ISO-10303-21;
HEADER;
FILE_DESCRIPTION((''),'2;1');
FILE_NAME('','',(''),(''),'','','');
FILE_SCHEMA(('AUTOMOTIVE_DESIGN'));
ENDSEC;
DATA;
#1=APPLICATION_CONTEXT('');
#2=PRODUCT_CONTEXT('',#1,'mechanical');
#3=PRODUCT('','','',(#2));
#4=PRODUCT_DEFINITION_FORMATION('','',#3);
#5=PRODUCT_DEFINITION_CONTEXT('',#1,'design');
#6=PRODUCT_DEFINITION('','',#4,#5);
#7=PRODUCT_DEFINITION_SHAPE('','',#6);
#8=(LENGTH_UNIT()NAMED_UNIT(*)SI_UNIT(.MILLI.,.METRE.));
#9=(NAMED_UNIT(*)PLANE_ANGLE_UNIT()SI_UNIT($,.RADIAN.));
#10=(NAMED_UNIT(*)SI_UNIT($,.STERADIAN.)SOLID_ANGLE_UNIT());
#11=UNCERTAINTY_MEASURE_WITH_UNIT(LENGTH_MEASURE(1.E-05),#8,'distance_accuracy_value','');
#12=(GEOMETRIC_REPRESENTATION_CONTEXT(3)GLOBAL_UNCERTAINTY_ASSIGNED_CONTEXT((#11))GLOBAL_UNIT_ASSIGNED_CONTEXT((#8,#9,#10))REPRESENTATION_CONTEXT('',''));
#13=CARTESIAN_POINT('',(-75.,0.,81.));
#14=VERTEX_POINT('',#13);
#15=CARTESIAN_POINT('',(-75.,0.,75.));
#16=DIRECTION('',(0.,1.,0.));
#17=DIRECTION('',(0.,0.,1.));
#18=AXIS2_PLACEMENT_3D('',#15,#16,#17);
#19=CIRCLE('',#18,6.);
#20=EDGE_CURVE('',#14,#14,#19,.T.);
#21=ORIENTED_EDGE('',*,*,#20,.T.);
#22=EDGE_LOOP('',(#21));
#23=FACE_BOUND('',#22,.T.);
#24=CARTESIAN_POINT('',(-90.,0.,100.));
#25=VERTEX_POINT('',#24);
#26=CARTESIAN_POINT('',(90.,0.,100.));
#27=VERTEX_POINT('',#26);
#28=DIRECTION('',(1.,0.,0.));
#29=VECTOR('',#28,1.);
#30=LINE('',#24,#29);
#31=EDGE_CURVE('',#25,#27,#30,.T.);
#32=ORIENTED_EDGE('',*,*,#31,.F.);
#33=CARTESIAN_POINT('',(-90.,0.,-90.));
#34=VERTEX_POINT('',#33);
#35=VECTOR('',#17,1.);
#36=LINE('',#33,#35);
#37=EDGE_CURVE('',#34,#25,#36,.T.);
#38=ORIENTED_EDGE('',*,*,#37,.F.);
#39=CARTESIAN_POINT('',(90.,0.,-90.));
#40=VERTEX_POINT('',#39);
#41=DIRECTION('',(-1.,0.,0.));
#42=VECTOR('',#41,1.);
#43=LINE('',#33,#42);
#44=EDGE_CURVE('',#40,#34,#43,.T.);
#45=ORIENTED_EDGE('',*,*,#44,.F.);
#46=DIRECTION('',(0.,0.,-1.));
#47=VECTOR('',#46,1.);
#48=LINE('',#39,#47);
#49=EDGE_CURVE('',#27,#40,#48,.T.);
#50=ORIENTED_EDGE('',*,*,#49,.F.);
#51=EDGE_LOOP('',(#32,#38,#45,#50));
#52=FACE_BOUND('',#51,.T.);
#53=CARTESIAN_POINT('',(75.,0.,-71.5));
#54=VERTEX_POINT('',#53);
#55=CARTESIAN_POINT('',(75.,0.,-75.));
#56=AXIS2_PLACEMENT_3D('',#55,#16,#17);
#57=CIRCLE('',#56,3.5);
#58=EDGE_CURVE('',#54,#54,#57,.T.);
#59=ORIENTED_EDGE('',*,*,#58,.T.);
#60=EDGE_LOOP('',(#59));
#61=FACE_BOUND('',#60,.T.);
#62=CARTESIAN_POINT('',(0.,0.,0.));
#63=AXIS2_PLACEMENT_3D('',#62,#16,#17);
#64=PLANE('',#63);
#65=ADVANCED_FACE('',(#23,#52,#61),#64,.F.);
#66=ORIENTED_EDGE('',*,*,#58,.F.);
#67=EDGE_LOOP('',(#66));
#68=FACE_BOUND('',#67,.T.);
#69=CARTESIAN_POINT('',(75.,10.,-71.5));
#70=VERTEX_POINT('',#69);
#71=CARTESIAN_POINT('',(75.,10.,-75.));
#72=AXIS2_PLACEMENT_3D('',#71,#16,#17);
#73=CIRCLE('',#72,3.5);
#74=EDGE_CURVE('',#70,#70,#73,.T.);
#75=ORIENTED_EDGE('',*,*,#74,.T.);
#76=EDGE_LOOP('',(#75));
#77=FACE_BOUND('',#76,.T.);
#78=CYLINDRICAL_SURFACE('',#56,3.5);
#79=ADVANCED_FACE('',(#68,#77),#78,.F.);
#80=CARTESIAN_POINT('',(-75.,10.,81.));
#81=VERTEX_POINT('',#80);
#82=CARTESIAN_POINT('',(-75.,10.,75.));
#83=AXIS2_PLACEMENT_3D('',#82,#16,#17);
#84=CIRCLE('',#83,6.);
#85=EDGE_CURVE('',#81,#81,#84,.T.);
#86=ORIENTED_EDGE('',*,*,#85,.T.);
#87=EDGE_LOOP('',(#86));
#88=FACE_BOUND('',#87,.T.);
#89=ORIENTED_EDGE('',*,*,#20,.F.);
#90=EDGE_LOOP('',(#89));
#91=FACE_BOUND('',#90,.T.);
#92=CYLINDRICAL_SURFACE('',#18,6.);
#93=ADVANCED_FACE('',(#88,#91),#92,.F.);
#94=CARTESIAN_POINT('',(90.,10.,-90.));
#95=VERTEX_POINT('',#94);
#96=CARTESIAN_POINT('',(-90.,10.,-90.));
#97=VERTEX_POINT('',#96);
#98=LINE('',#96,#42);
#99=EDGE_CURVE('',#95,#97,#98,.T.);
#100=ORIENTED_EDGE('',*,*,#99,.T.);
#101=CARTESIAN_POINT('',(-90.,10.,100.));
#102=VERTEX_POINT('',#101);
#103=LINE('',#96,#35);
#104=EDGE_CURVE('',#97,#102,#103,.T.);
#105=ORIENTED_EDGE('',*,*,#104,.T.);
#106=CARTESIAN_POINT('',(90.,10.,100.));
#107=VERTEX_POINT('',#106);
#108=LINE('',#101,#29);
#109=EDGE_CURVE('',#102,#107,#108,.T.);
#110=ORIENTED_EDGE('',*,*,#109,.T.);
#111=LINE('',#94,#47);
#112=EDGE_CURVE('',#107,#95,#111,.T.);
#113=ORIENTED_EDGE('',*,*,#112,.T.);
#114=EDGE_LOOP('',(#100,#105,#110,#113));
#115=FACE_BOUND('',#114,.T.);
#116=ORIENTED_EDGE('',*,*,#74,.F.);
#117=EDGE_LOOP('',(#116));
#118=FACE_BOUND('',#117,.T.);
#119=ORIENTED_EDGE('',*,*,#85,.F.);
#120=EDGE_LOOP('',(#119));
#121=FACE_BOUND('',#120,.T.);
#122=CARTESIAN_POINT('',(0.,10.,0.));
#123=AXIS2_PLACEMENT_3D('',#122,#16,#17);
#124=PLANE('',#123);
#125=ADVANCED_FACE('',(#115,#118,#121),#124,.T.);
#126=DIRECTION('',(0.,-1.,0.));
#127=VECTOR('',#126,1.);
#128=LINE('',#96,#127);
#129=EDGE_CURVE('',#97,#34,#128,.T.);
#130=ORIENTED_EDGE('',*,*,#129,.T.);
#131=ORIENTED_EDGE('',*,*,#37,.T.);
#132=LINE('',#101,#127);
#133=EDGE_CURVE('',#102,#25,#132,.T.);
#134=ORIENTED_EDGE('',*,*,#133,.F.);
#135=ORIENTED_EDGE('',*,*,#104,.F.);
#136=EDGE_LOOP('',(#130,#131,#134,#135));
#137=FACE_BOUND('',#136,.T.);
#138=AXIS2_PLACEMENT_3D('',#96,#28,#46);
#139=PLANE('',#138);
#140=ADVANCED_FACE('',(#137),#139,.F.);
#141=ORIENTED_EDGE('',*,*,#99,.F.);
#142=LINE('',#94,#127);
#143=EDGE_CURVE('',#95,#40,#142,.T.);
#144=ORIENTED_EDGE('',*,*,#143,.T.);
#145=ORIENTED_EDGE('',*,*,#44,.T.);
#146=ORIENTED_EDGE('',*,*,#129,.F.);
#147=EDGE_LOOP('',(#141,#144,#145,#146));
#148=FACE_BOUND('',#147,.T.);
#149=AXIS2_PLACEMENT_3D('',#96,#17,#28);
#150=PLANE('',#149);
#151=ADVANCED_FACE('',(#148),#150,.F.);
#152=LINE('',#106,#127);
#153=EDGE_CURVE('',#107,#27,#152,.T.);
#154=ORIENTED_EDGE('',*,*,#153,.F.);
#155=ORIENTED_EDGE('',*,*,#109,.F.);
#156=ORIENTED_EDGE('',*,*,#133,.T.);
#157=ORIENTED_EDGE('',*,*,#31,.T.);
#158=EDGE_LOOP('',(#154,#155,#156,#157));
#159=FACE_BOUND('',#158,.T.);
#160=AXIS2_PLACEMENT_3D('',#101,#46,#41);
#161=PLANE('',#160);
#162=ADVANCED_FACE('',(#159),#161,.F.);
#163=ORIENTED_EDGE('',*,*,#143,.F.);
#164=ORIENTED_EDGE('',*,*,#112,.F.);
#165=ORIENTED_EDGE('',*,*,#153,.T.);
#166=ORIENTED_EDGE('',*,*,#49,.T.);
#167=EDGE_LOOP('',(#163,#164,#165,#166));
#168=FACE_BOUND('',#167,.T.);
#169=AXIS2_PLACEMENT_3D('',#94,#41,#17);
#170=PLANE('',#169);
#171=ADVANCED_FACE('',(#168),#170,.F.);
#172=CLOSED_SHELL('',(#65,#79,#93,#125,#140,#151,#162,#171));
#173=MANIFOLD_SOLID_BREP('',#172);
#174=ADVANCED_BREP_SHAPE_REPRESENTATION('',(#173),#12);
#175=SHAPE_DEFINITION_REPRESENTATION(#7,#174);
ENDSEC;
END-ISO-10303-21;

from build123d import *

# Parameters (mm, degrees)
SKETCH1_W           = 180
SKETCH1_H           = 190
BOSS_EXTRUDE1_DEPTH = 10
SKETCH2_R           = 3.5
CUT_EXTRUDE1_DEPTH  = 11
SKETCH6_R           = 6
CUT_EXTRUDE2_DEPTH  = 11


with BuildPart() as part:
    # Sketch1 → Boss-Extrude1 (new body)
    with BuildSketch(Plane(origin=(0, 0, 0), x_dir=(1, 0, 0), z_dir=(0, 1, 0))):
        with Locations((0, -5)):
            Rectangle(SKETCH1_W, SKETCH1_H)
    extrude(amount=BOSS_EXTRUDE1_DEPTH)

    # Sketch2 → Cut-Extrude1 (cut, through all)
    with BuildSketch(Plane(origin=(0, 10, 0), x_dir=(1, 0, 0), z_dir=(0, 1, 0))):
        with Locations((75, 75)):
            Circle(SKETCH2_R)
    extrude(amount=-CUT_EXTRUDE1_DEPTH, mode=Mode.SUBTRACT)

    # Sketch6 → Cut-Extrude2 (cut, through all)
    with BuildSketch(Plane(origin=(0, 10, 0), x_dir=(1, 0, 0), z_dir=(0, 1, 0))):
        with Locations((-75, -75)):
            Circle(SKETCH6_R)
    extrude(amount=-CUT_EXTRUDE2_DEPTH, mode=Mode.SUBTRACT)


solid = part.part
